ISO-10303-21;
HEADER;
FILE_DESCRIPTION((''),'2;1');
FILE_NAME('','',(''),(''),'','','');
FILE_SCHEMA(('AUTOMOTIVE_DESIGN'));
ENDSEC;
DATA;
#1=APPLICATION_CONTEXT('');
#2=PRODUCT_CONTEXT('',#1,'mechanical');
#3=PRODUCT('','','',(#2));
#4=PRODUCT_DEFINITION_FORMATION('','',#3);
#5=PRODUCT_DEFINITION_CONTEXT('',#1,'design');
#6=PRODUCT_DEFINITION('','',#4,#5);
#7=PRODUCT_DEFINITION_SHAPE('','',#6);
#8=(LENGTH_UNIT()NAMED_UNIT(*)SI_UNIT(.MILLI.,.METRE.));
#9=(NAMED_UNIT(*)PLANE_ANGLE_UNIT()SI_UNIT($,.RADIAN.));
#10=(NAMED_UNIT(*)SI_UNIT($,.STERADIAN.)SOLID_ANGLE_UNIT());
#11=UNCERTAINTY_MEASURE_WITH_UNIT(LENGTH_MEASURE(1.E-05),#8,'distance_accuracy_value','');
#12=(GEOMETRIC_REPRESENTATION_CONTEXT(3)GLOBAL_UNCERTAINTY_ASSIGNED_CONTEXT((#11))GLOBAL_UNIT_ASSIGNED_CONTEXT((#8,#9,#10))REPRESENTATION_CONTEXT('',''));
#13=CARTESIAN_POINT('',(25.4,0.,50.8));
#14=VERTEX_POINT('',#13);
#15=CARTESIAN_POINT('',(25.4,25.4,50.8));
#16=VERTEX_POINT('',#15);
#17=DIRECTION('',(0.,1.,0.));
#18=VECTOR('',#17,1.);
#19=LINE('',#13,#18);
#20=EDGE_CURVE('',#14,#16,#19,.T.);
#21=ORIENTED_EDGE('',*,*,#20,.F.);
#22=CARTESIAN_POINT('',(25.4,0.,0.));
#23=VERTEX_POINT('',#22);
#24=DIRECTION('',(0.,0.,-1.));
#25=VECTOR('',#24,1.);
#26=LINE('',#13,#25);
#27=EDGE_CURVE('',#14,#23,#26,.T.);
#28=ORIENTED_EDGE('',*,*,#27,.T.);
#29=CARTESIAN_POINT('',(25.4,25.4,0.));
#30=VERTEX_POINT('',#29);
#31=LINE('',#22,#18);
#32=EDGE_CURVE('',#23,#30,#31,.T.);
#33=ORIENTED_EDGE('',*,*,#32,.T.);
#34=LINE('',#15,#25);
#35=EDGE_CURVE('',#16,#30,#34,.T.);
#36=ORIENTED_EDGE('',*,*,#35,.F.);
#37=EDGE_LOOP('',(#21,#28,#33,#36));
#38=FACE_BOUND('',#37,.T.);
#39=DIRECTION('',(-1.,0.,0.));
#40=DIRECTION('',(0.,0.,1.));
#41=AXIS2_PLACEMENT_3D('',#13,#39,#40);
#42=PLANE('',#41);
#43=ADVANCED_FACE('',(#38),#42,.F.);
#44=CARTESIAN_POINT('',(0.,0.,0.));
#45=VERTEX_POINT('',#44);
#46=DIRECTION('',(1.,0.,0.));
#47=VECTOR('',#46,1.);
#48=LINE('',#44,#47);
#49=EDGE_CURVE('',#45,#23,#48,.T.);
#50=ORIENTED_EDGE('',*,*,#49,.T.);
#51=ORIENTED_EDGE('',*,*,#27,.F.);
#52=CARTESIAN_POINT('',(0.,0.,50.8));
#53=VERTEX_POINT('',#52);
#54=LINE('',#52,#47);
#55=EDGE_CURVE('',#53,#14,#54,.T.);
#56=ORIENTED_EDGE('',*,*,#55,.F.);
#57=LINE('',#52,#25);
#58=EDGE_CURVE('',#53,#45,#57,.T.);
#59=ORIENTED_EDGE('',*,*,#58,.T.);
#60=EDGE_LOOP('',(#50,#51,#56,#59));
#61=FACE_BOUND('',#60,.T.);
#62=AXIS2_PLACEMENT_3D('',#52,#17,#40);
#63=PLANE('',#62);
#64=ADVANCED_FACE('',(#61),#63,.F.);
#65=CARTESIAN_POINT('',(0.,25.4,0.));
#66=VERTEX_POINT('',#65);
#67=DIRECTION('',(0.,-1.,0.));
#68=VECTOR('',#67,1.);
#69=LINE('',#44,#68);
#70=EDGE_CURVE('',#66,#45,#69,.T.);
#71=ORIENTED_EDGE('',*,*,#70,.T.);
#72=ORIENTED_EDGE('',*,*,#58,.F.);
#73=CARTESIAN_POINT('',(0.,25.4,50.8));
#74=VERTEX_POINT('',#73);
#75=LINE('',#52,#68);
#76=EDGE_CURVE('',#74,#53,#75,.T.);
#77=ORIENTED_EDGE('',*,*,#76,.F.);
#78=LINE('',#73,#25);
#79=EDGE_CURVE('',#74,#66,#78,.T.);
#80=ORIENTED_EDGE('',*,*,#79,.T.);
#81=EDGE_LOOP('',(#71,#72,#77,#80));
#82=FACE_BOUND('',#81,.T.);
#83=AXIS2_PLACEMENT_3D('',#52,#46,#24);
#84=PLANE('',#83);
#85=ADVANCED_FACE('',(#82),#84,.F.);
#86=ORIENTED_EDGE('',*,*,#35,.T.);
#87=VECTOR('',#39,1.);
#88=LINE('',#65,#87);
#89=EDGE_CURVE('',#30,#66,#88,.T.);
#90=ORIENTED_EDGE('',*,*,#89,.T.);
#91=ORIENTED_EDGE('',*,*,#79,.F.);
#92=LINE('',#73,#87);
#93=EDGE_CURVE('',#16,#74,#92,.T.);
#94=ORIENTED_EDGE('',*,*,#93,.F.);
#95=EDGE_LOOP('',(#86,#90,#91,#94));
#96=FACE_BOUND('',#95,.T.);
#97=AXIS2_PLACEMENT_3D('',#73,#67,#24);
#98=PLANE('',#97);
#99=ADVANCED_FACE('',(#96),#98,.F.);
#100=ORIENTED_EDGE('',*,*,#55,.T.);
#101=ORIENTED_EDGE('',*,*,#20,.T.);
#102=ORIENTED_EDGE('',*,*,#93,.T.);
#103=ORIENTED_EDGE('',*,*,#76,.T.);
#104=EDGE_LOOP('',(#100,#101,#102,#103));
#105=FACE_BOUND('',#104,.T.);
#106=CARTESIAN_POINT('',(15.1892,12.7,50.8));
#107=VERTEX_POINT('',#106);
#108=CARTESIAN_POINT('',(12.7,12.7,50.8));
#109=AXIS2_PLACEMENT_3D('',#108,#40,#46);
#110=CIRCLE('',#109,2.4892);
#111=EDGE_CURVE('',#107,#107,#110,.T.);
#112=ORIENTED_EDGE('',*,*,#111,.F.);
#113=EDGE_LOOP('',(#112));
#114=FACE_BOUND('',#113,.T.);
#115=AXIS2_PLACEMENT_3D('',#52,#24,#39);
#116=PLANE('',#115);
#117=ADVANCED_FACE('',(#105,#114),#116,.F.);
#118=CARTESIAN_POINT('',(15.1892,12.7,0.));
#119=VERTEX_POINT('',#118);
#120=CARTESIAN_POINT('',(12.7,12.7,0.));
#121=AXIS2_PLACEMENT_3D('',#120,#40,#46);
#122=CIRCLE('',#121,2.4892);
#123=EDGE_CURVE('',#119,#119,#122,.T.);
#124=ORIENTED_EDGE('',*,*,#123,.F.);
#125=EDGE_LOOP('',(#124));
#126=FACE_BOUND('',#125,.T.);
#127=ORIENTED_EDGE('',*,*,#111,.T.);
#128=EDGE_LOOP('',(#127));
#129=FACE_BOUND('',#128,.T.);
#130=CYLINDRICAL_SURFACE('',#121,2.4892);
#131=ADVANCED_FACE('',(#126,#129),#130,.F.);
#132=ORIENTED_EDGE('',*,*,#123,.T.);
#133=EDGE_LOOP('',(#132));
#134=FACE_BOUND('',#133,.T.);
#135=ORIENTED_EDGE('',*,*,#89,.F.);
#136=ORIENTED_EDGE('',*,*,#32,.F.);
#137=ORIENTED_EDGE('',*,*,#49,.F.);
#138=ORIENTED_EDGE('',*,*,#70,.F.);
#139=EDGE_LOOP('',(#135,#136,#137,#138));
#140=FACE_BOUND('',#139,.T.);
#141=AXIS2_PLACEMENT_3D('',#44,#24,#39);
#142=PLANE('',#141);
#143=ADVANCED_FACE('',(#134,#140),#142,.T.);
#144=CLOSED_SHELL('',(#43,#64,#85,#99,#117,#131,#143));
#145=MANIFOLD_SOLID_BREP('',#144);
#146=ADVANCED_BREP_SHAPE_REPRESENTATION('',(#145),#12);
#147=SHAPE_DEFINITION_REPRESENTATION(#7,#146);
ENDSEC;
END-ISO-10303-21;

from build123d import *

# Parameters (mm, degrees)
SKETCH1_W           = 25.4
SKETCH1_H           = 25.4
BOSS_EXTRUDE1_DEPTH = 50.8
SKETCH2_R           = 2.4892
CUT_EXTRUDE1_DEPTH  = 63.217039467


with BuildPart() as part:
    # Sketch1 → Boss-Extrude1 (new body)
    with BuildSketch(Plane.XY):
        with Locations((12.7, 12.7)):
            Rectangle(SKETCH1_W, SKETCH1_H)
    extrude(amount=BOSS_EXTRUDE1_DEPTH)

    # Sketch2 → Cut-Extrude1 (cut, through all)
    with BuildSketch(Plane.XY.offset(50.8)):
        with Locations((12.7, 12.7)):
            Circle(SKETCH2_R)
    extrude(amount=-CUT_EXTRUDE1_DEPTH, mode=Mode.SUBTRACT)


solid = part.part
